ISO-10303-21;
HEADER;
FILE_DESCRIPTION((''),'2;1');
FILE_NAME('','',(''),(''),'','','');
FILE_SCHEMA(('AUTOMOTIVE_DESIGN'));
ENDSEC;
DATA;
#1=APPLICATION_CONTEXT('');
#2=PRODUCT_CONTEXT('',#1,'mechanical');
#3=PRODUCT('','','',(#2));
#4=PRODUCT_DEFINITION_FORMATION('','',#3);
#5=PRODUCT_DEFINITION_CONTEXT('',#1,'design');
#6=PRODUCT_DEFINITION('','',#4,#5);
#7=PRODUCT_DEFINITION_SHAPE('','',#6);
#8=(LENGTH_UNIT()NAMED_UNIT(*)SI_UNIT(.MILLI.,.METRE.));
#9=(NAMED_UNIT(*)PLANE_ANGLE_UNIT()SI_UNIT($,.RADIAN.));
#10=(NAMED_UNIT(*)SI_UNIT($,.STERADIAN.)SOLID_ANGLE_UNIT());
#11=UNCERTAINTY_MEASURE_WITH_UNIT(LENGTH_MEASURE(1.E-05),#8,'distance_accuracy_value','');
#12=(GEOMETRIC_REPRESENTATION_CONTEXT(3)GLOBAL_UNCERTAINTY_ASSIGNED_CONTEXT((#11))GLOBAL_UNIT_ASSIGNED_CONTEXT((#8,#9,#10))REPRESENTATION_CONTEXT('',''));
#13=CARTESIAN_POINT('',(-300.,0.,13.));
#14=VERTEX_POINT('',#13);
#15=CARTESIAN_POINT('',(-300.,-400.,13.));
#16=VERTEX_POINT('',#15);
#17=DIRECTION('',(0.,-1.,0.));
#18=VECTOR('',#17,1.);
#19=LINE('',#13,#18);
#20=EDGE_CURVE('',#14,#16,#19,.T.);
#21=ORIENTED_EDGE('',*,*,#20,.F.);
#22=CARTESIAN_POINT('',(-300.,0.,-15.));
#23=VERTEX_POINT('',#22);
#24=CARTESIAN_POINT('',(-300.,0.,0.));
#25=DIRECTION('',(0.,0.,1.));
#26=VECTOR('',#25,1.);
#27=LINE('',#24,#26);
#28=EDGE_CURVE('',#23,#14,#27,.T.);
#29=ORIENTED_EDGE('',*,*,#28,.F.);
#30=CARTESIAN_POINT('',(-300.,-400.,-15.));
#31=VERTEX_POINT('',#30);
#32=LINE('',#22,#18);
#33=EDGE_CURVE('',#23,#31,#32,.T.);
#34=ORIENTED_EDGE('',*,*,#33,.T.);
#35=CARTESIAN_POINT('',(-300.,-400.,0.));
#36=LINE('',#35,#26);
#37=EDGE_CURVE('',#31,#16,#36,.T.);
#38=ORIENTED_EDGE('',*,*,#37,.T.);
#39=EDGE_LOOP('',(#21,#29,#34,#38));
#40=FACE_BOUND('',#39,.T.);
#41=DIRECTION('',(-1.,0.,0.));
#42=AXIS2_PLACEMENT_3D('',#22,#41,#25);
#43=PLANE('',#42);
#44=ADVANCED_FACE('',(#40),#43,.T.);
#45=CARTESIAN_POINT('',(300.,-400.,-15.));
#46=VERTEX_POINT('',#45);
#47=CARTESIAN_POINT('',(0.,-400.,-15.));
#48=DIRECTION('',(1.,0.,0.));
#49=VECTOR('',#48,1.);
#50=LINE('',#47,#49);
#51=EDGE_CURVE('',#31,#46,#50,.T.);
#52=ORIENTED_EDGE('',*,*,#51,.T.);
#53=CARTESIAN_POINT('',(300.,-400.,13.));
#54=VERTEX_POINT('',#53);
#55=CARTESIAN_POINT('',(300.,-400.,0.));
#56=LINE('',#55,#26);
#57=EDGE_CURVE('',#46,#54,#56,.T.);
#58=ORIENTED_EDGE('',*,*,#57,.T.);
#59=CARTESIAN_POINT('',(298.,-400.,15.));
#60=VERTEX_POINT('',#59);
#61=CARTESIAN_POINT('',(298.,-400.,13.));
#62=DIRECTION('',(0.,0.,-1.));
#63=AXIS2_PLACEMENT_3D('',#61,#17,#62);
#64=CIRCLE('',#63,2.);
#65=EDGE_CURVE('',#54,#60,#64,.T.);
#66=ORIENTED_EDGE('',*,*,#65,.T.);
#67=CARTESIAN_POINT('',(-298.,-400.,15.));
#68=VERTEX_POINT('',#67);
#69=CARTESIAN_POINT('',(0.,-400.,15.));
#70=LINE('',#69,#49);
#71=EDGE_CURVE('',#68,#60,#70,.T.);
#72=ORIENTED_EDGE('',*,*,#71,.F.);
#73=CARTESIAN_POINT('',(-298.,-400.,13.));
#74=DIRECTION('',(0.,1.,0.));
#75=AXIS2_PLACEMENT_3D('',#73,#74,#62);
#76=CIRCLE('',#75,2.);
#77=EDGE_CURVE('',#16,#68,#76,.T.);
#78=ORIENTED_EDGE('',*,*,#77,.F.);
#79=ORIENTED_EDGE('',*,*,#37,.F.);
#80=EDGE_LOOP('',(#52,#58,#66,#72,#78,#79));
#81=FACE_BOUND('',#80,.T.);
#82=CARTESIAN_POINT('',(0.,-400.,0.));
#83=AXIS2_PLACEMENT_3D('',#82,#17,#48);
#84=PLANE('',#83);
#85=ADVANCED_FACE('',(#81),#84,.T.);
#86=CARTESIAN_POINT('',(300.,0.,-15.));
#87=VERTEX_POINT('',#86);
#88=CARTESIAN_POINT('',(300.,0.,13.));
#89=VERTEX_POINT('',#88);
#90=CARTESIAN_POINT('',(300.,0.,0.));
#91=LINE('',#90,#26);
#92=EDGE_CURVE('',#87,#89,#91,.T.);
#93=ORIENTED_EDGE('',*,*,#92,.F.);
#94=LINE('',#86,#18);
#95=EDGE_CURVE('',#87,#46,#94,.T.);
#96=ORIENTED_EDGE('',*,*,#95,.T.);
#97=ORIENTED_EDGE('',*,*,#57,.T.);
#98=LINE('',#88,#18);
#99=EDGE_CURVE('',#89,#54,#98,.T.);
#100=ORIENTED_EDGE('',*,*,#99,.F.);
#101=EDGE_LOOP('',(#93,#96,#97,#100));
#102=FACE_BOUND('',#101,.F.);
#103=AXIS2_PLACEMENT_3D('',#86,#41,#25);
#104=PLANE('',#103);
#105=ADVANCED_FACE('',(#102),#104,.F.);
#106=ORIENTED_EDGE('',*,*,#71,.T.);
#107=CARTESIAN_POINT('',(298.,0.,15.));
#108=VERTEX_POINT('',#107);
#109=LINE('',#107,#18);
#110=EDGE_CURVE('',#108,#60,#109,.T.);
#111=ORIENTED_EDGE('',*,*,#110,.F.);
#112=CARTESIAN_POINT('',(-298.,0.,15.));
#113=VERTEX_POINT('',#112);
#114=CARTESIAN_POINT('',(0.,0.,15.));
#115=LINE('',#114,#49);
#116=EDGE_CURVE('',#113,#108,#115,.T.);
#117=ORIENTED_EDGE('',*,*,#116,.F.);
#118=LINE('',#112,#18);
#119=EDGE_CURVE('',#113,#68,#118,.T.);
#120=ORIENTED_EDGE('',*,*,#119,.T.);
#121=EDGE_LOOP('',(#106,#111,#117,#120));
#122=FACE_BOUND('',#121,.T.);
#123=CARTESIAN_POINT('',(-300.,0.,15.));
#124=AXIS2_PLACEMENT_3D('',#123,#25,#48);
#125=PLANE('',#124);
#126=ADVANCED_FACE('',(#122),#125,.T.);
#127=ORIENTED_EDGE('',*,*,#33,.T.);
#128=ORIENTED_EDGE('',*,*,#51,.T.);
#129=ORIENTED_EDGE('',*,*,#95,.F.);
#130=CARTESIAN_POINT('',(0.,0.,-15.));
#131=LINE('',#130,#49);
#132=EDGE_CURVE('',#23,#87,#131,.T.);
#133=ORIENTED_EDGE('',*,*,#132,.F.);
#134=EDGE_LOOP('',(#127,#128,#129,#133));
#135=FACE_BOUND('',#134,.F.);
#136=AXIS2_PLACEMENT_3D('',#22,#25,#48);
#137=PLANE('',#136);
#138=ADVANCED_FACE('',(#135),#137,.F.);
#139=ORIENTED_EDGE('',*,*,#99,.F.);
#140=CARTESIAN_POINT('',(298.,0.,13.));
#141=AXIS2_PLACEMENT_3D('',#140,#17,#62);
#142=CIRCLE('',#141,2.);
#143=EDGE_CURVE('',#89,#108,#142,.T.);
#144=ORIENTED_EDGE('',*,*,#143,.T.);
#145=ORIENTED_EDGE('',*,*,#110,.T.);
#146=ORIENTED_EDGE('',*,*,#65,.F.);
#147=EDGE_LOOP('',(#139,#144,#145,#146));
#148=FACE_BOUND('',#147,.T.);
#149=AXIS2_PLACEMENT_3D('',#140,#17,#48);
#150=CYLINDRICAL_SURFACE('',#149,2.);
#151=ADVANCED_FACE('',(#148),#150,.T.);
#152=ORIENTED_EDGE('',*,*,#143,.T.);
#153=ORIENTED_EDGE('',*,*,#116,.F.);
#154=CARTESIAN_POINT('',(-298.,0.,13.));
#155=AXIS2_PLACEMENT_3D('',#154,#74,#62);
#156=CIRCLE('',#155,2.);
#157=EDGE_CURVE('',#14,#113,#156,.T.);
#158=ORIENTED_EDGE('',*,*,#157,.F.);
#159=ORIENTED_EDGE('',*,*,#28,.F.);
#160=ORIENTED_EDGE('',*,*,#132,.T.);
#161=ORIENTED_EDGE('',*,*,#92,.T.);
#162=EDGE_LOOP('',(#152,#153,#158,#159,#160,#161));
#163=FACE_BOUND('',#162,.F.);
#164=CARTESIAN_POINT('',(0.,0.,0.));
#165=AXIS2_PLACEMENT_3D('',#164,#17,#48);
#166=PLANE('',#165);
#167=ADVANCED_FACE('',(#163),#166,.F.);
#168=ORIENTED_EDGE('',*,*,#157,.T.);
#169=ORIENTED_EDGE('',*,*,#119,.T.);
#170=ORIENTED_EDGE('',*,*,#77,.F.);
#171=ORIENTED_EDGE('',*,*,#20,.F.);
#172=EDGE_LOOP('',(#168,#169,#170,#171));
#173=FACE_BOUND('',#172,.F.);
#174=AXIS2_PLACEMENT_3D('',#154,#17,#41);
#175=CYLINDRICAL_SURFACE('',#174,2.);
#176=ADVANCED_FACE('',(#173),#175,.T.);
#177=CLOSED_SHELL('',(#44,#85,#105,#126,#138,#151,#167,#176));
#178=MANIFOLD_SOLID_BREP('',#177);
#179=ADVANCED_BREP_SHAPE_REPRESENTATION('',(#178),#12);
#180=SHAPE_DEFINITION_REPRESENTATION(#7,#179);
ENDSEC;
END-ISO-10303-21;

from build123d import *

# Parameters (mm, degrees)
F0_W     = 600
F0_H     = 30
F1_DEPTH = 400
F2_R     = 2


with BuildPart() as f1:
    # F0 (on Front) → F1 (new body)
    with BuildSketch(Plane.XZ):
        Rectangle(F0_W, F0_H)
    extrude(amount=F1_DEPTH)

    # F2
    f2_edges = [f1.edges().sort_by_distance(p)[0] for p in [
        (300, -200, 15),
        (-300, -200, 15),
    ]]
    fillet(f2_edges, radius=F2_R)


solid = f1.part
